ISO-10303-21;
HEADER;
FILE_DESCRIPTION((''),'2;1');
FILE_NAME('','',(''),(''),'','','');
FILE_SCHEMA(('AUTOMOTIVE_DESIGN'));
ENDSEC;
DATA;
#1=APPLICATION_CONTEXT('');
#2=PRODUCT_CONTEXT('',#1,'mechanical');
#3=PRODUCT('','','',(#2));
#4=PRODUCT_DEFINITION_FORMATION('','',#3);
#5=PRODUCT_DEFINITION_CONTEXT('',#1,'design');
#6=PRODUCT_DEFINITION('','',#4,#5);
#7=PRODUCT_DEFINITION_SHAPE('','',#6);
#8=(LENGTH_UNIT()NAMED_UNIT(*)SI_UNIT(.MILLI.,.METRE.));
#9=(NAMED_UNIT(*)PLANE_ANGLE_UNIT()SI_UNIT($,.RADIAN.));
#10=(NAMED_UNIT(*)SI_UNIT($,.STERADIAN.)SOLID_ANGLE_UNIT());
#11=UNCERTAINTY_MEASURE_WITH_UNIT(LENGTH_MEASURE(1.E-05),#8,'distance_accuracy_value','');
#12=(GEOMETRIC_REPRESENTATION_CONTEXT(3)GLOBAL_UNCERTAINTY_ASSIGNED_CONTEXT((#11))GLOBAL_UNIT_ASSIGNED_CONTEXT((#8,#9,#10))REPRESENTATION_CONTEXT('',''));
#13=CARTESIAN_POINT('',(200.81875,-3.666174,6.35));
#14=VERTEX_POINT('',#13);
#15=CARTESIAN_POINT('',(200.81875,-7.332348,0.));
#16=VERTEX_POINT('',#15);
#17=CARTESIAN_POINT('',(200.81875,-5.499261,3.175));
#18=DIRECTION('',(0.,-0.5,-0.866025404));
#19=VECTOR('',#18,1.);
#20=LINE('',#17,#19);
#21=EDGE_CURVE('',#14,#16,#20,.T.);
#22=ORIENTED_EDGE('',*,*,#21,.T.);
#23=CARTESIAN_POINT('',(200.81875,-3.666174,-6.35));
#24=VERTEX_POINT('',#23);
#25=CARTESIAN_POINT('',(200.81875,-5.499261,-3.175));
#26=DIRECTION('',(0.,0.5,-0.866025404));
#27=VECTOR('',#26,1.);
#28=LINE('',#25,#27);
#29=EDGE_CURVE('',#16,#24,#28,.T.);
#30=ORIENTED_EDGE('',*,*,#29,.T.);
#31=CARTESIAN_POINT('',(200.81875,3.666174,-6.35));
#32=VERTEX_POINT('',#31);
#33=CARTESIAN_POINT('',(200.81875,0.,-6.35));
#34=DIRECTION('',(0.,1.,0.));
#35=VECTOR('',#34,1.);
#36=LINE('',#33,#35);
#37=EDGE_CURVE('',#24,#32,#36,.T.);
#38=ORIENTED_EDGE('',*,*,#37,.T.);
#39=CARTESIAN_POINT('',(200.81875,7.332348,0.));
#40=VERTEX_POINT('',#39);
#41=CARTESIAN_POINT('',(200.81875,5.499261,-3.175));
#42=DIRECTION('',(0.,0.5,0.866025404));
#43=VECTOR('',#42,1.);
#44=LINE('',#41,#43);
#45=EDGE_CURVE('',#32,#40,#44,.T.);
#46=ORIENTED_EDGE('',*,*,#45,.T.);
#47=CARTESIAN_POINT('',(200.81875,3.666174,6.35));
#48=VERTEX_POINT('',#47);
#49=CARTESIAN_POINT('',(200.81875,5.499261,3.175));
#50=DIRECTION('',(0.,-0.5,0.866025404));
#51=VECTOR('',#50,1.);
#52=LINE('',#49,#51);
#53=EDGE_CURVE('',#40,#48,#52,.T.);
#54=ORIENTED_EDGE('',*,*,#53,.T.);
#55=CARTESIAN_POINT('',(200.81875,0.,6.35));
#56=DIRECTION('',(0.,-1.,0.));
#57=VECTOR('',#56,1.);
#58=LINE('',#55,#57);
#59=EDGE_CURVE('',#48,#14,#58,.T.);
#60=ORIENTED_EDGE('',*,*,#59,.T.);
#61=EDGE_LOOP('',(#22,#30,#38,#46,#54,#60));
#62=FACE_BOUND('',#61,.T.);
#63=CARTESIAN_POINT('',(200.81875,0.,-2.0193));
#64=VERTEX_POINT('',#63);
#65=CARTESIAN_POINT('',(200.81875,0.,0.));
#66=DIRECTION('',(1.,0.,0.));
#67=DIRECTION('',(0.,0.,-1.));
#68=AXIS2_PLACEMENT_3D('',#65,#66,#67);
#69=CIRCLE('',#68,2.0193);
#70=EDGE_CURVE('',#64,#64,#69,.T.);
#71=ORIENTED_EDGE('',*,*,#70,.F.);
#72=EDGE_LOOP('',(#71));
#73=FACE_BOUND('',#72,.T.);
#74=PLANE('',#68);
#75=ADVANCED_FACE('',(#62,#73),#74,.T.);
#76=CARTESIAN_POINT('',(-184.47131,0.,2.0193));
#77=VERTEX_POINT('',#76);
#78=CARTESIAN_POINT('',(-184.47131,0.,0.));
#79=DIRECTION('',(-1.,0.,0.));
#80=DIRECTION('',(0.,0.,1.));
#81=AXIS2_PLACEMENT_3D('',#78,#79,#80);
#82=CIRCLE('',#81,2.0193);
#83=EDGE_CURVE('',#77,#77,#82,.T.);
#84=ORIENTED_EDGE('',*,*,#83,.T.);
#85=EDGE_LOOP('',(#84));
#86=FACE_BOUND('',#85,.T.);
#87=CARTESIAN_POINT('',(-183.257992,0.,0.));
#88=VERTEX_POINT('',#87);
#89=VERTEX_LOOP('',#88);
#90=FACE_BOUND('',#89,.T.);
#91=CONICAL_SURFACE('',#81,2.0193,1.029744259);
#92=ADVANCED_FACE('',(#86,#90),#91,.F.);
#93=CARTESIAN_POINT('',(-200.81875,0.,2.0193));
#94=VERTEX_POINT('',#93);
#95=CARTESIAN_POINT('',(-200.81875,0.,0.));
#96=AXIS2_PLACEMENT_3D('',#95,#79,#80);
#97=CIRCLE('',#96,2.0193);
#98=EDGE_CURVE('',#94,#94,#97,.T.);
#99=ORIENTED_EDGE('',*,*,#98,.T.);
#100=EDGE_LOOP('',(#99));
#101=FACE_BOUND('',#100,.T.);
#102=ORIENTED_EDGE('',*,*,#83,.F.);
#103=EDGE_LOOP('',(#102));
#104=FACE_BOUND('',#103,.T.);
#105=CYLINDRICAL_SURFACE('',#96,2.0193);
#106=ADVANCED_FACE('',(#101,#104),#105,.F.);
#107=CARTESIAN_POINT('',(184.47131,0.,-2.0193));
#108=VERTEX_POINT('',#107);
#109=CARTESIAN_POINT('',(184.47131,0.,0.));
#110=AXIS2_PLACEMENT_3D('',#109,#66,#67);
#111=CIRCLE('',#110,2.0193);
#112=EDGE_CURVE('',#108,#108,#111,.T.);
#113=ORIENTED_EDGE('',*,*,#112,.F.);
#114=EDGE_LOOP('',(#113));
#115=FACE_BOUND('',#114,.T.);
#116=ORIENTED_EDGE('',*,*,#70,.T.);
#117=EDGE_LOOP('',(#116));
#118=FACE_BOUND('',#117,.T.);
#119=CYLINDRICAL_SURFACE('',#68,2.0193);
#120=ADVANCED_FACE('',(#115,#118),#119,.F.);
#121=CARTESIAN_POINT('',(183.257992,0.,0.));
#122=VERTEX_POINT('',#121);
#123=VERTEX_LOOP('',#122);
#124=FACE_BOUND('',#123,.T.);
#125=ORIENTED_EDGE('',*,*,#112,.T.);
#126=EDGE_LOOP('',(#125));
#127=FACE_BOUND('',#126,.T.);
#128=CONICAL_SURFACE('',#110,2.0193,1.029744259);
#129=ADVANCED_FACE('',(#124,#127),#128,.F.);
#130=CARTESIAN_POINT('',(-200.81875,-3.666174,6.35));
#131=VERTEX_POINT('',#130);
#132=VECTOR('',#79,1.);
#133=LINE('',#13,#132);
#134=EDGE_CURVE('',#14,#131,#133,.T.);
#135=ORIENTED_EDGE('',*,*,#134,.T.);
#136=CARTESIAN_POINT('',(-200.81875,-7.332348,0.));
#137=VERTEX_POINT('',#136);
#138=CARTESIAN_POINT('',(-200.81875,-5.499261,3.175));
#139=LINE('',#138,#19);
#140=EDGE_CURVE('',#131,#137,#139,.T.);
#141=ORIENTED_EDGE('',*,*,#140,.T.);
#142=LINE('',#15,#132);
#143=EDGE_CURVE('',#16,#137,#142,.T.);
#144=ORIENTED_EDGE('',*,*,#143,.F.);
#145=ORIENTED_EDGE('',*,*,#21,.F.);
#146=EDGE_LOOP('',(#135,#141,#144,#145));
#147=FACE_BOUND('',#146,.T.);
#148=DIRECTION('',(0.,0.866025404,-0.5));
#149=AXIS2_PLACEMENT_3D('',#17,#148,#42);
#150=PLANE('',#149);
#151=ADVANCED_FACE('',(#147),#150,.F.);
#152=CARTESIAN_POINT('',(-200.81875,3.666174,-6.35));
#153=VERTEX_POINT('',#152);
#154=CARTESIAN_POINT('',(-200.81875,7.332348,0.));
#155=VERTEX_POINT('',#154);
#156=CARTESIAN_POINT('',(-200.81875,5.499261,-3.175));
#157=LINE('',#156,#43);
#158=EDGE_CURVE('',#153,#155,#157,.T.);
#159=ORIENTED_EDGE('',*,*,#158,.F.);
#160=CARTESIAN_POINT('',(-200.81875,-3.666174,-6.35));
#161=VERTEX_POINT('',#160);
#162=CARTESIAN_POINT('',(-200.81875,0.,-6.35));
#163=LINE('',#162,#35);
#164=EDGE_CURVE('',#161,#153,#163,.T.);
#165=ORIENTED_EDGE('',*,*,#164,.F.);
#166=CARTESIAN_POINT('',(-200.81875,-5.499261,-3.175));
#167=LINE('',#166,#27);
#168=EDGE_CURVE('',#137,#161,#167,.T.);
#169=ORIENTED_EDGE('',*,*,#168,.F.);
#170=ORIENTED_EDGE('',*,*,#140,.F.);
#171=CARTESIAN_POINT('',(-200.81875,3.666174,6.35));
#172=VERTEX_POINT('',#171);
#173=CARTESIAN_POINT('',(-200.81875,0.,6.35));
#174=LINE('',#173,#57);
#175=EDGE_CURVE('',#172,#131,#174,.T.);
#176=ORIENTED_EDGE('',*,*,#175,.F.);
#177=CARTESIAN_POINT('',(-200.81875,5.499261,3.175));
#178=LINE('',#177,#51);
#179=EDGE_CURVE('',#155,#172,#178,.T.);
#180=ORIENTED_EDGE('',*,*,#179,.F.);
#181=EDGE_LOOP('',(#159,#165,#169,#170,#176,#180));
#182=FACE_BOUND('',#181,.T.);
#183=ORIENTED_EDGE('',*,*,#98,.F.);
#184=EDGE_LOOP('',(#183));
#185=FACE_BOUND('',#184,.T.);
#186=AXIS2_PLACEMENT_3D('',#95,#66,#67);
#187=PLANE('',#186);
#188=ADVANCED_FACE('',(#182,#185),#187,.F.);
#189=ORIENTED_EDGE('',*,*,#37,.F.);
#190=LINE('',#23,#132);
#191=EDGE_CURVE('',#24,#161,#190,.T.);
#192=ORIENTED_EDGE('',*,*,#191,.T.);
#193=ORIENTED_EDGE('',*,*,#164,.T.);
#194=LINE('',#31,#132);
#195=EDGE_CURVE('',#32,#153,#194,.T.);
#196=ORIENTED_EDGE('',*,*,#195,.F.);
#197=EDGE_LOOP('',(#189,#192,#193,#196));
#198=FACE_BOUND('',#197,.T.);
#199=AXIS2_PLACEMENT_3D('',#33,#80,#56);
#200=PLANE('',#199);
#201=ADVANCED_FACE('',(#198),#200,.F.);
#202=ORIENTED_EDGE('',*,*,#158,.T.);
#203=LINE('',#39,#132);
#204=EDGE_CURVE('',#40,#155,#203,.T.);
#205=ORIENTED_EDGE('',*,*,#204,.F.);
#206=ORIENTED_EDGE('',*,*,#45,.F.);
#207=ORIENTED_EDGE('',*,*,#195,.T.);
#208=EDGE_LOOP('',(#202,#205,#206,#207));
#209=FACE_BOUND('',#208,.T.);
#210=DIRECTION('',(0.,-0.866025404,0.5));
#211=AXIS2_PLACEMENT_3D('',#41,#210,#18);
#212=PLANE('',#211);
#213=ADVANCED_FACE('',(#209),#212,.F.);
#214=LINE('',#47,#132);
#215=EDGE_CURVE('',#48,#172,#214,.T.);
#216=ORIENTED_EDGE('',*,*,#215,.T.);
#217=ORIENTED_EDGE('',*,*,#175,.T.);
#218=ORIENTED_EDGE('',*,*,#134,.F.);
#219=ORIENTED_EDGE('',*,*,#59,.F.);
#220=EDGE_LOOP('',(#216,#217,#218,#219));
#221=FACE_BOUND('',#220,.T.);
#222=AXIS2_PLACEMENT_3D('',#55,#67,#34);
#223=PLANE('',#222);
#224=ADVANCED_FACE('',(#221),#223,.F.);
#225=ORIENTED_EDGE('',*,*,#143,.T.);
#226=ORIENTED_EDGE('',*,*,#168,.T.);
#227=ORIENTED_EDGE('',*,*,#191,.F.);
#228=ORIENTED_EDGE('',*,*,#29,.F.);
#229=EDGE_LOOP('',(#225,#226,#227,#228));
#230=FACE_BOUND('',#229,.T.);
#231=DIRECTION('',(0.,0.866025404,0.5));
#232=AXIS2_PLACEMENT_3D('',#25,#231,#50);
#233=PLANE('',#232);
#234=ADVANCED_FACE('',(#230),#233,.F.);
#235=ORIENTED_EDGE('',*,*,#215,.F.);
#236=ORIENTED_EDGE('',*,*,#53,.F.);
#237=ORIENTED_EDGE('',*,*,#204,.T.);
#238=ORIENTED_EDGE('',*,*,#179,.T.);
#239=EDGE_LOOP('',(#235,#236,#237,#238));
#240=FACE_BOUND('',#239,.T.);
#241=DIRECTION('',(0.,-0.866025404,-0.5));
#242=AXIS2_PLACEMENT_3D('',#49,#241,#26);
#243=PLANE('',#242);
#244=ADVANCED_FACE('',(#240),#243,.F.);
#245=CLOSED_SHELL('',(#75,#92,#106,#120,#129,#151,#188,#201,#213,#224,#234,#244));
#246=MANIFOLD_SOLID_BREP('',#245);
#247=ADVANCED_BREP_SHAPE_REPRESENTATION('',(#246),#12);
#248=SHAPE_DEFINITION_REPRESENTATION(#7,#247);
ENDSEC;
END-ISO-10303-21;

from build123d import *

# Parameters (mm, degrees)
BOSS_EXTRUDE1_DEPTH                  = 200.81875
F_10_32_TAPPED_HOLE1_D               = 4.0386
F_10_32_TAPPED_HOLE1_DEPTH           = 16.34744
F_10_32_TAPPED_HOLE1_TIP             = 1.213317848
F_10_32_TAPPED_HOLE1_ON_FACE_2_D     = 4.0386
F_10_32_TAPPED_HOLE1_ON_FACE_2_DEPTH = 16.34744
F_10_32_TAPPED_HOLE1_ON_FACE_2_TIP   = 1.213317848


with BuildPart() as part:
    # Sketch1 → Boss-Extrude1 (new, symmetric)
    with BuildSketch(Plane(origin=(0, 0, 0), x_dir=(0, 0, -1), z_dir=(1, 0, 0))):
        Polygon((0, 7.332348419), (-6.35, 3.666174209), (-6.35, -3.666174209), (0, -7.332348419), (6.35, -3.666174209), (6.35, 3.666174209), align=None)
    extrude(amount=BOSS_EXTRUDE1_DEPTH, both=True)

    # #10-32 Tapped Hole1
    with Locations(Plane(origin=(200.81875, 0, 0), x_dir=(0, 0, 1), z_dir=(1, 0, 0))):
        with Locations((0, 0)):
            Hole(F_10_32_TAPPED_HOLE1_D / 2, depth=F_10_32_TAPPED_HOLE1_DEPTH)
            with Locations((0, 0, -(F_10_32_TAPPED_HOLE1_DEPTH + F_10_32_TAPPED_HOLE1_TIP / 2))):  # 118° drill point
                Cone(0, F_10_32_TAPPED_HOLE1_D / 2, F_10_32_TAPPED_HOLE1_TIP, mode=Mode.SUBTRACT)

    # #10-32 Tapped Hole1 on face 2
    with Locations(Plane(origin=(-200.81875, 0, 0), x_dir=(0, 0, -1), z_dir=(-1, 0, 0))):
        with Locations((0, 0)):
            Hole(F_10_32_TAPPED_HOLE1_ON_FACE_2_D / 2, depth=F_10_32_TAPPED_HOLE1_ON_FACE_2_DEPTH)
            with Locations((0, 0, -(F_10_32_TAPPED_HOLE1_ON_FACE_2_DEPTH + F_10_32_TAPPED_HOLE1_ON_FACE_2_TIP / 2))):  # 118° drill point
                Cone(0, F_10_32_TAPPED_HOLE1_ON_FACE_2_D / 2, F_10_32_TAPPED_HOLE1_ON_FACE_2_TIP, mode=Mode.SUBTRACT)


solid = part.part
